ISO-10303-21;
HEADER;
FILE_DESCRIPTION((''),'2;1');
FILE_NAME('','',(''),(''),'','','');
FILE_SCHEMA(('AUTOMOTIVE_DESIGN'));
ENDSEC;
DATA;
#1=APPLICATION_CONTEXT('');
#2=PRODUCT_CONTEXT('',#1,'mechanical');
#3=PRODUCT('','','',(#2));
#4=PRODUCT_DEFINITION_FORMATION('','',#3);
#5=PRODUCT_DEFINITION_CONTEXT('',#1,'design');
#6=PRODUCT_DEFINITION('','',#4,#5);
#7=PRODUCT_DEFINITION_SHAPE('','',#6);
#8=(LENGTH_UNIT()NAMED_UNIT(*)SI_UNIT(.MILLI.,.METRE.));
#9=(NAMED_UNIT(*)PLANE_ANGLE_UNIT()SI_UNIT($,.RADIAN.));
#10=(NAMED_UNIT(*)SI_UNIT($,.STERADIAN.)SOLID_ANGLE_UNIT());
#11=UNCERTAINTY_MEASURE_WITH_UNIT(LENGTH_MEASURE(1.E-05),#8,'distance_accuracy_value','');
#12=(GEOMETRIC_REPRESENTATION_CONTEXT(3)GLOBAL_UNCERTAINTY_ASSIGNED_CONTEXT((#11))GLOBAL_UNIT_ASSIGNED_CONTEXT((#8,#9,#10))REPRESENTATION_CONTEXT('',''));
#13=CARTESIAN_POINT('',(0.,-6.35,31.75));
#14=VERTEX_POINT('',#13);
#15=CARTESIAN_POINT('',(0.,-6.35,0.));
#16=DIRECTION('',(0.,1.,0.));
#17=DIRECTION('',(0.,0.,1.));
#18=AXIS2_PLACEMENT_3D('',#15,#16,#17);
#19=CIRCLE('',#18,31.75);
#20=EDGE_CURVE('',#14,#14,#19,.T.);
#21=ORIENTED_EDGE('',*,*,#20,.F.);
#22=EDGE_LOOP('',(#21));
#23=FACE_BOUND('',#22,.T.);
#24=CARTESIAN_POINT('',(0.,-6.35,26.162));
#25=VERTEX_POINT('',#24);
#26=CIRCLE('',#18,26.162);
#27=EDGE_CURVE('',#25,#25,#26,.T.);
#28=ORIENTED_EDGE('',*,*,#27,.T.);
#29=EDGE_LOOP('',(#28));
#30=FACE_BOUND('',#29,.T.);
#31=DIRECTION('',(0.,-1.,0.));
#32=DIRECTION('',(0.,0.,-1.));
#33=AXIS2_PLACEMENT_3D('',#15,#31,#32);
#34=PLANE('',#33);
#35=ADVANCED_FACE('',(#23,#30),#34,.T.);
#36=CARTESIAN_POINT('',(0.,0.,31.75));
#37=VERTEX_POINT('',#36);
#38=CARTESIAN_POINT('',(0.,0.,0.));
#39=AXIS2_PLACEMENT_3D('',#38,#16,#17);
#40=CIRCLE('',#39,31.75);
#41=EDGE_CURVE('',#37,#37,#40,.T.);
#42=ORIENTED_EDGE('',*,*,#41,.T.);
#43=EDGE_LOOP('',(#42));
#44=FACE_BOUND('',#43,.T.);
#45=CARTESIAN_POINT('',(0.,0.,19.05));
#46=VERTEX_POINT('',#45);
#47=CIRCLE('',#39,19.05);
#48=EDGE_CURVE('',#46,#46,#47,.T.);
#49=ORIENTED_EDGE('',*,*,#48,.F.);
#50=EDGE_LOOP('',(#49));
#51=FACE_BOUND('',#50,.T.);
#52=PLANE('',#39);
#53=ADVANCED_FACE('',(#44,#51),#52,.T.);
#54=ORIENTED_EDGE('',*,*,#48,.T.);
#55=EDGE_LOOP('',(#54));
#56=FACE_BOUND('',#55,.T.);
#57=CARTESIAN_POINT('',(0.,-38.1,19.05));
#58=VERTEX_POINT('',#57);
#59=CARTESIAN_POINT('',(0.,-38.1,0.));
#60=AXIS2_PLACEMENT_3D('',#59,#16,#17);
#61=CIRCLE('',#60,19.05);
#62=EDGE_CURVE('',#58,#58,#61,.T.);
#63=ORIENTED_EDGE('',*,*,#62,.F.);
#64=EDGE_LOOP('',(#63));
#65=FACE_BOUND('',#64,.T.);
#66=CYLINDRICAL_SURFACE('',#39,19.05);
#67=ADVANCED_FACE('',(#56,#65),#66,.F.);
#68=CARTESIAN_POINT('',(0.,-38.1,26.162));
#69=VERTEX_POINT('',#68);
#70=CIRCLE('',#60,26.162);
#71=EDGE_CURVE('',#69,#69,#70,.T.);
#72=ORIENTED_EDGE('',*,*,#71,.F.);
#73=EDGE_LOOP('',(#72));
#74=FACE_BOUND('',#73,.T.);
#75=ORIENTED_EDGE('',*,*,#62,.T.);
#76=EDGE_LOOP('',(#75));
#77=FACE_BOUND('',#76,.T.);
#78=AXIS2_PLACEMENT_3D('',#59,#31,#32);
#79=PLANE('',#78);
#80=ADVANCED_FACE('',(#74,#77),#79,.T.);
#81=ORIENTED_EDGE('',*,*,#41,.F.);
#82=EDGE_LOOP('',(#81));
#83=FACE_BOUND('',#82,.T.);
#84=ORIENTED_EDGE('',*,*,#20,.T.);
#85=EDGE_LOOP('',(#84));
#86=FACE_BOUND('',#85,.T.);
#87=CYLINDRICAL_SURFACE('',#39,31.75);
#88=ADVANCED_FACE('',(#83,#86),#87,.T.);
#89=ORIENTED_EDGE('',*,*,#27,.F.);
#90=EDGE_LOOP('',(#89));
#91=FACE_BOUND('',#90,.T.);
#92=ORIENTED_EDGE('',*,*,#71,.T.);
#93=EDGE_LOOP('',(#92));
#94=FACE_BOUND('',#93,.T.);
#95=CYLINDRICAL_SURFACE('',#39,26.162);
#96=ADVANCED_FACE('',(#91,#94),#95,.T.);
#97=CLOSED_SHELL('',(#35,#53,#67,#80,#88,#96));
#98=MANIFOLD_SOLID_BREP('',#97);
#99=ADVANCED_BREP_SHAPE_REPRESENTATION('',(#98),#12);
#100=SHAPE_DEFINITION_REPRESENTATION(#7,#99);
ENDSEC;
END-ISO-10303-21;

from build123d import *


with BuildPart() as part:
    # Sketch2 → Revolve1 (revolve)
    with BuildSketch(Plane(origin=(0, 0, 0), x_dir=(0, 0, -1), z_dir=(1, 0, 0))):
        Polygon((19.05, -38.1), (19.05, 0), (31.75, 0), (31.75, -6.35), (26.162, -6.35), (26.162, -38.1), align=None)
    revolve(axis=Axis((0, 0, 0), (0, -1, 0)))


solid = part.part
